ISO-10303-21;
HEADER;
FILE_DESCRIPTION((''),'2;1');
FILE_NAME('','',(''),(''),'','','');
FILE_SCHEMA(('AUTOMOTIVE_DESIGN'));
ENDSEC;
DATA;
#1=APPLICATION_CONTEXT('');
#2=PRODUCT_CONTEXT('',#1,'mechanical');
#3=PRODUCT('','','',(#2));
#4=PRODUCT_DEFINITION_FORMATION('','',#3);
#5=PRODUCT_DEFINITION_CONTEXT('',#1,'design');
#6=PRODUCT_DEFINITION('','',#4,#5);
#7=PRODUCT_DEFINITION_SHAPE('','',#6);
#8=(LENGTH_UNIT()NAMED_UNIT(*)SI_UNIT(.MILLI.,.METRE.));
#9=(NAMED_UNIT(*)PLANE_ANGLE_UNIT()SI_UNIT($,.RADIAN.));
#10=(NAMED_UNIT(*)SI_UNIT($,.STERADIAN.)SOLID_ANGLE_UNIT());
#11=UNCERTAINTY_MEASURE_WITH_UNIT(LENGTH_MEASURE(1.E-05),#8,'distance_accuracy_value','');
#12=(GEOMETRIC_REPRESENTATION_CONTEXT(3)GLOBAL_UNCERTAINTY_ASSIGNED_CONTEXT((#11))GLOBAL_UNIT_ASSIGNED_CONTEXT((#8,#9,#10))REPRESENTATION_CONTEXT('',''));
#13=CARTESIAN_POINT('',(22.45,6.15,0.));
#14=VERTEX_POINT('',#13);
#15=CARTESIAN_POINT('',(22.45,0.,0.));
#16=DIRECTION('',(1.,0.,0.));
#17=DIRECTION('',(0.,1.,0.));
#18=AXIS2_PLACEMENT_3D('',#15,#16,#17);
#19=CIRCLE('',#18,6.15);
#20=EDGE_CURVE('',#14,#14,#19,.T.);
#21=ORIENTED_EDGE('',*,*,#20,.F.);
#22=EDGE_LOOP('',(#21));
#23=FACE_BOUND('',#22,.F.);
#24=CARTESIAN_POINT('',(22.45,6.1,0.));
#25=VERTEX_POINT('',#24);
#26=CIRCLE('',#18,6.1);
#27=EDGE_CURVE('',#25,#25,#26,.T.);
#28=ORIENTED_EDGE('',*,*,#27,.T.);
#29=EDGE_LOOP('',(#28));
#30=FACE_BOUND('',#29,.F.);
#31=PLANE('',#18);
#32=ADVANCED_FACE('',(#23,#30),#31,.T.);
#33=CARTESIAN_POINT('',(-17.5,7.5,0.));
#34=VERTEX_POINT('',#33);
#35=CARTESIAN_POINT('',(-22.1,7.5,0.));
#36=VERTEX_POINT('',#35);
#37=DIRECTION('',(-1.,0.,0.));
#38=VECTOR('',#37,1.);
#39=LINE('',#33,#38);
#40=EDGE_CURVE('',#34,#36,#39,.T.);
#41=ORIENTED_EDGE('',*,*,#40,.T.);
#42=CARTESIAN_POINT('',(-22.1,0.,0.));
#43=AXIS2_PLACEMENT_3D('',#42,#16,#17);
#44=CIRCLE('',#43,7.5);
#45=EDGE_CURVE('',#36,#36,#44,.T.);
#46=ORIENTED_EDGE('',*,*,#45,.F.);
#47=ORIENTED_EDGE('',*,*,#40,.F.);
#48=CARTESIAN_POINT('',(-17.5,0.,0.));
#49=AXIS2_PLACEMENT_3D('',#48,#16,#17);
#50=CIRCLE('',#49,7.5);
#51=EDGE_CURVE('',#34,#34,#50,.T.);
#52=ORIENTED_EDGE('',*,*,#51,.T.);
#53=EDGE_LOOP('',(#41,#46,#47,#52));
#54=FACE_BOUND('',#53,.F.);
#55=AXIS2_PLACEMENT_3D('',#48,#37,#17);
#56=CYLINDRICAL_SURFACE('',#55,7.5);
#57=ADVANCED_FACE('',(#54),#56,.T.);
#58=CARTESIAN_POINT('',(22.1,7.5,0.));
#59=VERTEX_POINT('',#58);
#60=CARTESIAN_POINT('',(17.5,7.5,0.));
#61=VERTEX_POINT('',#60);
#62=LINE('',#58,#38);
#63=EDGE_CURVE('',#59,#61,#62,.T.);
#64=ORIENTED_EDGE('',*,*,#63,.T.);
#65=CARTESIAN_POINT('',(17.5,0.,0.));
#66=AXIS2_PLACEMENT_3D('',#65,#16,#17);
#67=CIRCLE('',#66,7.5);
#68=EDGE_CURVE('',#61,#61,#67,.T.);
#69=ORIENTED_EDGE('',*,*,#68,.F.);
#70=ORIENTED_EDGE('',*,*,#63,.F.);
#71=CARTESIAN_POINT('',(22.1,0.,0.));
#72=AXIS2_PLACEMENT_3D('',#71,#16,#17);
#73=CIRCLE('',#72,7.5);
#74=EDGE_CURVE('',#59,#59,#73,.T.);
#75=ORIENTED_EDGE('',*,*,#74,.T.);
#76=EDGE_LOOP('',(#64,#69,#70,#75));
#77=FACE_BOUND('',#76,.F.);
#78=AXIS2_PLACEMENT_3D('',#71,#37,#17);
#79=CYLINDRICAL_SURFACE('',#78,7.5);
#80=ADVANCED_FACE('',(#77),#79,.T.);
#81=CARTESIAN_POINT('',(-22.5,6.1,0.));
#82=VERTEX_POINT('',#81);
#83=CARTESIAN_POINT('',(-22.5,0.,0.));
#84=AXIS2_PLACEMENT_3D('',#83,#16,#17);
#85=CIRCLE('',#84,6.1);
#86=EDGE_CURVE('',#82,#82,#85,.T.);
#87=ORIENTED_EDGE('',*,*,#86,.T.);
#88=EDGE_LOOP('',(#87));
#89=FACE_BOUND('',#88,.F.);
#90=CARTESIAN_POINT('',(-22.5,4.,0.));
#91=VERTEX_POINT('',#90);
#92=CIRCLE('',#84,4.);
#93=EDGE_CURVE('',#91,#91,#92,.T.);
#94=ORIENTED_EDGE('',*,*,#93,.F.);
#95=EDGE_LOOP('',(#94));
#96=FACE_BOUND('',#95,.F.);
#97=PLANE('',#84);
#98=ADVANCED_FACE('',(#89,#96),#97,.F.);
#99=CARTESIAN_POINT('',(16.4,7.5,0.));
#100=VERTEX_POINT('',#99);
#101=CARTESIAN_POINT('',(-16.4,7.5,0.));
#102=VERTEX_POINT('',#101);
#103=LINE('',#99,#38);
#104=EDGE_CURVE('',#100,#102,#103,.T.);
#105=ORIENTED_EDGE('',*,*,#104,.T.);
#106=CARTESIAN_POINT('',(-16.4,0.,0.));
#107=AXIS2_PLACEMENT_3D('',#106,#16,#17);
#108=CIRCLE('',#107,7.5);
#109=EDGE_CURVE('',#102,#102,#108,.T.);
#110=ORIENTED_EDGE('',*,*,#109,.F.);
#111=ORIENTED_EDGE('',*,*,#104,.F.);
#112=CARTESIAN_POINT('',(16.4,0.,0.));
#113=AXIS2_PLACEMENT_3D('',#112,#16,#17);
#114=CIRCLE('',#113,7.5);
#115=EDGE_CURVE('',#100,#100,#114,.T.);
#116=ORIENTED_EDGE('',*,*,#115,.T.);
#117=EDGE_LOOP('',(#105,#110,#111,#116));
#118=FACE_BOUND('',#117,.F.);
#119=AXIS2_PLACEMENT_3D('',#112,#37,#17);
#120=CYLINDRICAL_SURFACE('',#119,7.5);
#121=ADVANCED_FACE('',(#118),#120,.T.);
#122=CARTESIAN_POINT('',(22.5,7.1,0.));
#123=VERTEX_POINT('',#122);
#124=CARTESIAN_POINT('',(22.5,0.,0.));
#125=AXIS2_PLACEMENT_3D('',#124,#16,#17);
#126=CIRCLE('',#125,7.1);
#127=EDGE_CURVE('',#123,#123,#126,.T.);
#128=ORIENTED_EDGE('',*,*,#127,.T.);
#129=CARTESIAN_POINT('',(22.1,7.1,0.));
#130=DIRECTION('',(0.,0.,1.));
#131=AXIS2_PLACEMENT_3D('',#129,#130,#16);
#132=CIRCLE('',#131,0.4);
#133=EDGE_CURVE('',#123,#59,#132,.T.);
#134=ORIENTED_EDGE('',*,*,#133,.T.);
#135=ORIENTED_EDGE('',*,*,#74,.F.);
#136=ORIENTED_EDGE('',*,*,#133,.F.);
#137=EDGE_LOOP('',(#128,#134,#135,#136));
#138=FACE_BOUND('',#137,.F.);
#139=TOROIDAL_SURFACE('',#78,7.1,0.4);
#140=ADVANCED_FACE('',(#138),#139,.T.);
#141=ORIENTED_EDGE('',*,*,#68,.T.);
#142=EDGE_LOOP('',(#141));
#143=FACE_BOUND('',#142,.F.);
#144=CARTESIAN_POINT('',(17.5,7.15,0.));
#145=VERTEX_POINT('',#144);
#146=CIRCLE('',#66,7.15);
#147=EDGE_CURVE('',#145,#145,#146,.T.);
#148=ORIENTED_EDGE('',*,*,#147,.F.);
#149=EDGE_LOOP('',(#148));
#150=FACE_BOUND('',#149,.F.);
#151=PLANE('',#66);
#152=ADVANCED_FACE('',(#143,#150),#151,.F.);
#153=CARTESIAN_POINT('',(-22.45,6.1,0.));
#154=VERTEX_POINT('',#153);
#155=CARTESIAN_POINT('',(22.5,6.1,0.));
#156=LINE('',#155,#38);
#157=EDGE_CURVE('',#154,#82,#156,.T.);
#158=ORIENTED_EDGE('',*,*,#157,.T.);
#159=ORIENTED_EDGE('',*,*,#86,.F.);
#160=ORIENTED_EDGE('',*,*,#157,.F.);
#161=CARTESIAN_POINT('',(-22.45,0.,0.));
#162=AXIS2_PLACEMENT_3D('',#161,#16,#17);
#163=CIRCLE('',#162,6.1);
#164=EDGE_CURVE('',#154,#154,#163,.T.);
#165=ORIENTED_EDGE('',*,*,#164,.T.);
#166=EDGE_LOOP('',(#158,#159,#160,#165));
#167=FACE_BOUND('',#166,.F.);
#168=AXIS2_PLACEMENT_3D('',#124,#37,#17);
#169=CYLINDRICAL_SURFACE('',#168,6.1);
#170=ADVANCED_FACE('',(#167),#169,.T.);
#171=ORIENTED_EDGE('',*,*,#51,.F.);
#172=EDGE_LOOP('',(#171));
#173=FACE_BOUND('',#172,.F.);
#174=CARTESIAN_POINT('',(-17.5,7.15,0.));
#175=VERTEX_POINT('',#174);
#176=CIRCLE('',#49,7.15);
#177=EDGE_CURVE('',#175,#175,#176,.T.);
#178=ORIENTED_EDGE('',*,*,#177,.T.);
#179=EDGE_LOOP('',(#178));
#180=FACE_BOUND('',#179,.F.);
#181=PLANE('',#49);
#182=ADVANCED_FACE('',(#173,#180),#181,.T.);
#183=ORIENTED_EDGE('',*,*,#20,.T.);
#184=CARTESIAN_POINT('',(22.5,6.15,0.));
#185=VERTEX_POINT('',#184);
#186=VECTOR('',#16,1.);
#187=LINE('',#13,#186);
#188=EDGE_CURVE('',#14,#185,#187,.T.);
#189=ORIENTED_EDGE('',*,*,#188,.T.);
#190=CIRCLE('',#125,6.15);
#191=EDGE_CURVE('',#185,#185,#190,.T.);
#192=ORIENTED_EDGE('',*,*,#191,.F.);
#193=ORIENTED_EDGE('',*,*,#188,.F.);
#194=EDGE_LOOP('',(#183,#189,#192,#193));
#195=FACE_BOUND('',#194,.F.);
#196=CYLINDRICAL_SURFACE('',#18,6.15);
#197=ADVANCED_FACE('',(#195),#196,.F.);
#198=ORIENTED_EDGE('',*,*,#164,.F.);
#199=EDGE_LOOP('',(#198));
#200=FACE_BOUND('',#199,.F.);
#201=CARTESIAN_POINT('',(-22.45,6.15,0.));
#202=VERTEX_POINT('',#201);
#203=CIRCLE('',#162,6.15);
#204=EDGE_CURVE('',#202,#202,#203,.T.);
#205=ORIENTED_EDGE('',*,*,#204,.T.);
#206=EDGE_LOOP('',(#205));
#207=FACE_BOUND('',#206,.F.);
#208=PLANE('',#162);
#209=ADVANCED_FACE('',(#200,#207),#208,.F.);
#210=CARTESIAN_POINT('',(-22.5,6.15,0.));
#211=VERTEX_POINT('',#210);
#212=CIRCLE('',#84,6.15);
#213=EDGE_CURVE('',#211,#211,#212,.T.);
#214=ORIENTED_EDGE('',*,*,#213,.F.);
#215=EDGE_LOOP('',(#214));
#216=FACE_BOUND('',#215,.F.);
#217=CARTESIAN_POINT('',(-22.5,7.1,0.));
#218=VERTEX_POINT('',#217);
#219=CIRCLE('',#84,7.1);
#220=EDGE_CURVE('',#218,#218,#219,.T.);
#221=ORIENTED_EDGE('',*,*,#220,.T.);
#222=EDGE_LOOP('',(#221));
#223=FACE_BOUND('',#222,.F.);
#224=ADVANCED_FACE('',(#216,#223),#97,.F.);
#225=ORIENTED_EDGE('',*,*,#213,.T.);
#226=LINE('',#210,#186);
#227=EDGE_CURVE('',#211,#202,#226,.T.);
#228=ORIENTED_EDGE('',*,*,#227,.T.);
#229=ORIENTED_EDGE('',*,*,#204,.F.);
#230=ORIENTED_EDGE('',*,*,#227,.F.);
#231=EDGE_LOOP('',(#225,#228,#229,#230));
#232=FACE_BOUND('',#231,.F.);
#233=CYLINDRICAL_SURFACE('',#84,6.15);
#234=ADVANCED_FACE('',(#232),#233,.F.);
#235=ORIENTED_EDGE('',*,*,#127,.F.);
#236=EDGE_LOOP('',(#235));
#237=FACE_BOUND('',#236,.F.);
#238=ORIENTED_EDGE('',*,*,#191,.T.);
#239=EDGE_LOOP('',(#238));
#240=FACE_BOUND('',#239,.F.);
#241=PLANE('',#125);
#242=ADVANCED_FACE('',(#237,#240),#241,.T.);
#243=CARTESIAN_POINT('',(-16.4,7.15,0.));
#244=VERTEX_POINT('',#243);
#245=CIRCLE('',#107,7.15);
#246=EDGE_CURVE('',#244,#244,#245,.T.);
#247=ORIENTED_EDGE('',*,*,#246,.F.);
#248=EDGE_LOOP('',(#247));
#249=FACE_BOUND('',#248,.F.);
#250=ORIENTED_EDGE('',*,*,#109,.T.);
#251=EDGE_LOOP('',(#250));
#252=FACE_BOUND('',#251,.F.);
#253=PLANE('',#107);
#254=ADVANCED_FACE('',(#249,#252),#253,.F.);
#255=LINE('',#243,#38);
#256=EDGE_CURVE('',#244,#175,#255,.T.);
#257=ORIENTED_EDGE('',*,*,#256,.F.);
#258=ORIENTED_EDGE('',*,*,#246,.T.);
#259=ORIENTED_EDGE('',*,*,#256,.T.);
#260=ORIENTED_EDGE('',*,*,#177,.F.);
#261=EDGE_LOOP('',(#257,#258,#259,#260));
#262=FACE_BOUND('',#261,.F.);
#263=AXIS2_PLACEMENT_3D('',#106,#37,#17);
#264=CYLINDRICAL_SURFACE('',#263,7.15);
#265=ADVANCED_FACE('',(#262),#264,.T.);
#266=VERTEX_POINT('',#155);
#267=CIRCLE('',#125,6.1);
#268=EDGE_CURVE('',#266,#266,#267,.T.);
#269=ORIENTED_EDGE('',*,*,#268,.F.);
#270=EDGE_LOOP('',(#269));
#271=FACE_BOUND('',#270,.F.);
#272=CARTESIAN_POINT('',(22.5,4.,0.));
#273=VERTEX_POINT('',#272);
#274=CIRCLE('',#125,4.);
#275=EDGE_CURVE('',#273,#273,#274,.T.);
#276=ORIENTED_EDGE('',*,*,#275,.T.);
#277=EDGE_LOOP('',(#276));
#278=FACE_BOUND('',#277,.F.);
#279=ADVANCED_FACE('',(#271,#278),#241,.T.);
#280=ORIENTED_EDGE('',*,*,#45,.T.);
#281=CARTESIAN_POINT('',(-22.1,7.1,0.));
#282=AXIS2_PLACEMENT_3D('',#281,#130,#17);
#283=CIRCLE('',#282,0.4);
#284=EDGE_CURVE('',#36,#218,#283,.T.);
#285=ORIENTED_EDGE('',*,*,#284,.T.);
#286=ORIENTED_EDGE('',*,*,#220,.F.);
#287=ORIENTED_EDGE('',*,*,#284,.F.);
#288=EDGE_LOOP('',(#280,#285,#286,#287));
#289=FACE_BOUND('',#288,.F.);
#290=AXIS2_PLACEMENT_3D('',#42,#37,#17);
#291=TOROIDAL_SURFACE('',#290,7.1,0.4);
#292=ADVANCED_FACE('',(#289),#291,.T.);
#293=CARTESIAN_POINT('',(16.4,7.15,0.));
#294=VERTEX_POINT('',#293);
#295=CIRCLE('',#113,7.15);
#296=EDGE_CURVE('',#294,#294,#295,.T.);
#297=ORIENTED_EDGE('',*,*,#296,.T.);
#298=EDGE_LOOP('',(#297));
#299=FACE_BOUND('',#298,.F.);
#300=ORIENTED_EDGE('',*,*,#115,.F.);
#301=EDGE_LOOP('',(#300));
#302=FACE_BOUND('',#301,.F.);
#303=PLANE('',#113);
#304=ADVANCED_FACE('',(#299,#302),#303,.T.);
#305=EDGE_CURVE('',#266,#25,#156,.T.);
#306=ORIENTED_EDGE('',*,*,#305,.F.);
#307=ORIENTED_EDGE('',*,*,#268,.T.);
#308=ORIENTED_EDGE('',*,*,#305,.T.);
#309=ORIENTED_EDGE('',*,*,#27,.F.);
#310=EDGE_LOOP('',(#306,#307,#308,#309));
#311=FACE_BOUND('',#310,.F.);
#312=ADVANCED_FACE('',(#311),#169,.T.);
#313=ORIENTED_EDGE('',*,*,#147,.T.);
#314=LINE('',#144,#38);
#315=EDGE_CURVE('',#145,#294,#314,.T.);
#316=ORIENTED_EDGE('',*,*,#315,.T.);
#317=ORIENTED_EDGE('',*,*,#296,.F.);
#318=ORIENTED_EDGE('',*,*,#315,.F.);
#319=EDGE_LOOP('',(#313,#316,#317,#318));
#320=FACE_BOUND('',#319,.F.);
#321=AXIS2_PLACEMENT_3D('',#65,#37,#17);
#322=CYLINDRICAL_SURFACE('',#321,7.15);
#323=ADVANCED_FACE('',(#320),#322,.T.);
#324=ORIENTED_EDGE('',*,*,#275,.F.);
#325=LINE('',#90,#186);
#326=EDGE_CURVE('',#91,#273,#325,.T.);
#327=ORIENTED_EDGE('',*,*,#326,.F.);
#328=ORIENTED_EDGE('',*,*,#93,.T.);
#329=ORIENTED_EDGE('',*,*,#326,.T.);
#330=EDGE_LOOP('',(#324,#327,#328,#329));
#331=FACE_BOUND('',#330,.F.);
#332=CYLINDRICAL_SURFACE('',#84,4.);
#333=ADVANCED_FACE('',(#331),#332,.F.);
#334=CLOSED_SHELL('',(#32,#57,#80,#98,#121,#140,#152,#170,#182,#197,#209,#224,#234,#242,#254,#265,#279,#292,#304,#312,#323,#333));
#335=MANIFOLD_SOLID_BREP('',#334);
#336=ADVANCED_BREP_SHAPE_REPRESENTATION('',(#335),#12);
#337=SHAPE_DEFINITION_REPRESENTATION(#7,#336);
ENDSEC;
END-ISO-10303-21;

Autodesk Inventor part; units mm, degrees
ref_plane "YZ Plane" through (0, 0, 0) normal (1, 0, 0) x (0, 1, 0)
ref_plane "XZ Plane" through (0, 0, 0) normal (0, 1, 0) x (-1, 0, 0)
ref_plane "XY Plane" through (0, 0, 0) normal (0, 0, 1) x (1, 0, 0)
sketch "Sketch_1" plane through (0, 0, 0) normal (0, 0, 1) x (1, 0, 0)
  line L0 (22.5, 0) -> (0, 0)
  line L1 (-22.5, 7.1) -> (-22.5, 6.15)
  line L2 (-22.5, 6.15) -> (-22.45, 6.15)
  line L3 (-22.45, 6.15) -> (-22.45, 6.1)
  line L4 (-22.45, 6.1) -> (22.45, 6.1)
  line L5 (22.45, 6.1) -> (22.45, 6.15)
  line L6 (22.45, 6.15) -> (22.5, 6.15)
  line L7 (22.5, 6.15) -> (22.5, 7.1)
  arc A0 (22.5, 7.1) -> (22.1, 7.5) centre (22.1, 7.1) ccw
  line L8 (22.1, 7.5) -> (17.5, 7.5)
  line L9 (17.5, 7.5) -> (17.5, 7.15)
  line L10 (17.5, 7.15) -> (16.4, 7.15)
  line L11 (16.4, 7.15) -> (16.4, 7.5)
  line L12 (16.4, 7.5) -> (-16.4, 7.5)
  line L13 (-16.4, 7.5) -> (-16.4, 7.15)
  line L14 (-16.4, 7.15) -> (-17.5, 7.15)
  line L15 (-17.5, 7.15) -> (-17.5, 7.5)
  line L16 (-17.5, 7.5) -> (-22.1, 7.5)
  arc A1 (-22.1, 7.5) -> (-22.5, 7.1) centre (-22.1, 7.1) ccw
revolve "Revolution1" add sketch "Sketch_1" angle 360 about axis through (22.5, 0, 0) along (1, 0, 0)
sketch "Sketch_3" plane through (0, 0, 0) normal (0, 0, 1) x (1, 0, 0)
  line L0 (22.5, 0) -> (0, 0)
  line L1 (-22.5, 6.1) -> (-22.5, 4)
  line L2 (-22.5, 4) -> (22.5, 4)
  line L3 (22.5, 4) -> (22.5, 6.1)
  line L4 (22.5, 6.1) -> (-22.5, 6.1)
revolve "Revolution2" add sketch "Sketch_3" angle 360 about axis through (22.5, 0, 0) along (1, 0, 0)
properties part number "C-LMUW8"
